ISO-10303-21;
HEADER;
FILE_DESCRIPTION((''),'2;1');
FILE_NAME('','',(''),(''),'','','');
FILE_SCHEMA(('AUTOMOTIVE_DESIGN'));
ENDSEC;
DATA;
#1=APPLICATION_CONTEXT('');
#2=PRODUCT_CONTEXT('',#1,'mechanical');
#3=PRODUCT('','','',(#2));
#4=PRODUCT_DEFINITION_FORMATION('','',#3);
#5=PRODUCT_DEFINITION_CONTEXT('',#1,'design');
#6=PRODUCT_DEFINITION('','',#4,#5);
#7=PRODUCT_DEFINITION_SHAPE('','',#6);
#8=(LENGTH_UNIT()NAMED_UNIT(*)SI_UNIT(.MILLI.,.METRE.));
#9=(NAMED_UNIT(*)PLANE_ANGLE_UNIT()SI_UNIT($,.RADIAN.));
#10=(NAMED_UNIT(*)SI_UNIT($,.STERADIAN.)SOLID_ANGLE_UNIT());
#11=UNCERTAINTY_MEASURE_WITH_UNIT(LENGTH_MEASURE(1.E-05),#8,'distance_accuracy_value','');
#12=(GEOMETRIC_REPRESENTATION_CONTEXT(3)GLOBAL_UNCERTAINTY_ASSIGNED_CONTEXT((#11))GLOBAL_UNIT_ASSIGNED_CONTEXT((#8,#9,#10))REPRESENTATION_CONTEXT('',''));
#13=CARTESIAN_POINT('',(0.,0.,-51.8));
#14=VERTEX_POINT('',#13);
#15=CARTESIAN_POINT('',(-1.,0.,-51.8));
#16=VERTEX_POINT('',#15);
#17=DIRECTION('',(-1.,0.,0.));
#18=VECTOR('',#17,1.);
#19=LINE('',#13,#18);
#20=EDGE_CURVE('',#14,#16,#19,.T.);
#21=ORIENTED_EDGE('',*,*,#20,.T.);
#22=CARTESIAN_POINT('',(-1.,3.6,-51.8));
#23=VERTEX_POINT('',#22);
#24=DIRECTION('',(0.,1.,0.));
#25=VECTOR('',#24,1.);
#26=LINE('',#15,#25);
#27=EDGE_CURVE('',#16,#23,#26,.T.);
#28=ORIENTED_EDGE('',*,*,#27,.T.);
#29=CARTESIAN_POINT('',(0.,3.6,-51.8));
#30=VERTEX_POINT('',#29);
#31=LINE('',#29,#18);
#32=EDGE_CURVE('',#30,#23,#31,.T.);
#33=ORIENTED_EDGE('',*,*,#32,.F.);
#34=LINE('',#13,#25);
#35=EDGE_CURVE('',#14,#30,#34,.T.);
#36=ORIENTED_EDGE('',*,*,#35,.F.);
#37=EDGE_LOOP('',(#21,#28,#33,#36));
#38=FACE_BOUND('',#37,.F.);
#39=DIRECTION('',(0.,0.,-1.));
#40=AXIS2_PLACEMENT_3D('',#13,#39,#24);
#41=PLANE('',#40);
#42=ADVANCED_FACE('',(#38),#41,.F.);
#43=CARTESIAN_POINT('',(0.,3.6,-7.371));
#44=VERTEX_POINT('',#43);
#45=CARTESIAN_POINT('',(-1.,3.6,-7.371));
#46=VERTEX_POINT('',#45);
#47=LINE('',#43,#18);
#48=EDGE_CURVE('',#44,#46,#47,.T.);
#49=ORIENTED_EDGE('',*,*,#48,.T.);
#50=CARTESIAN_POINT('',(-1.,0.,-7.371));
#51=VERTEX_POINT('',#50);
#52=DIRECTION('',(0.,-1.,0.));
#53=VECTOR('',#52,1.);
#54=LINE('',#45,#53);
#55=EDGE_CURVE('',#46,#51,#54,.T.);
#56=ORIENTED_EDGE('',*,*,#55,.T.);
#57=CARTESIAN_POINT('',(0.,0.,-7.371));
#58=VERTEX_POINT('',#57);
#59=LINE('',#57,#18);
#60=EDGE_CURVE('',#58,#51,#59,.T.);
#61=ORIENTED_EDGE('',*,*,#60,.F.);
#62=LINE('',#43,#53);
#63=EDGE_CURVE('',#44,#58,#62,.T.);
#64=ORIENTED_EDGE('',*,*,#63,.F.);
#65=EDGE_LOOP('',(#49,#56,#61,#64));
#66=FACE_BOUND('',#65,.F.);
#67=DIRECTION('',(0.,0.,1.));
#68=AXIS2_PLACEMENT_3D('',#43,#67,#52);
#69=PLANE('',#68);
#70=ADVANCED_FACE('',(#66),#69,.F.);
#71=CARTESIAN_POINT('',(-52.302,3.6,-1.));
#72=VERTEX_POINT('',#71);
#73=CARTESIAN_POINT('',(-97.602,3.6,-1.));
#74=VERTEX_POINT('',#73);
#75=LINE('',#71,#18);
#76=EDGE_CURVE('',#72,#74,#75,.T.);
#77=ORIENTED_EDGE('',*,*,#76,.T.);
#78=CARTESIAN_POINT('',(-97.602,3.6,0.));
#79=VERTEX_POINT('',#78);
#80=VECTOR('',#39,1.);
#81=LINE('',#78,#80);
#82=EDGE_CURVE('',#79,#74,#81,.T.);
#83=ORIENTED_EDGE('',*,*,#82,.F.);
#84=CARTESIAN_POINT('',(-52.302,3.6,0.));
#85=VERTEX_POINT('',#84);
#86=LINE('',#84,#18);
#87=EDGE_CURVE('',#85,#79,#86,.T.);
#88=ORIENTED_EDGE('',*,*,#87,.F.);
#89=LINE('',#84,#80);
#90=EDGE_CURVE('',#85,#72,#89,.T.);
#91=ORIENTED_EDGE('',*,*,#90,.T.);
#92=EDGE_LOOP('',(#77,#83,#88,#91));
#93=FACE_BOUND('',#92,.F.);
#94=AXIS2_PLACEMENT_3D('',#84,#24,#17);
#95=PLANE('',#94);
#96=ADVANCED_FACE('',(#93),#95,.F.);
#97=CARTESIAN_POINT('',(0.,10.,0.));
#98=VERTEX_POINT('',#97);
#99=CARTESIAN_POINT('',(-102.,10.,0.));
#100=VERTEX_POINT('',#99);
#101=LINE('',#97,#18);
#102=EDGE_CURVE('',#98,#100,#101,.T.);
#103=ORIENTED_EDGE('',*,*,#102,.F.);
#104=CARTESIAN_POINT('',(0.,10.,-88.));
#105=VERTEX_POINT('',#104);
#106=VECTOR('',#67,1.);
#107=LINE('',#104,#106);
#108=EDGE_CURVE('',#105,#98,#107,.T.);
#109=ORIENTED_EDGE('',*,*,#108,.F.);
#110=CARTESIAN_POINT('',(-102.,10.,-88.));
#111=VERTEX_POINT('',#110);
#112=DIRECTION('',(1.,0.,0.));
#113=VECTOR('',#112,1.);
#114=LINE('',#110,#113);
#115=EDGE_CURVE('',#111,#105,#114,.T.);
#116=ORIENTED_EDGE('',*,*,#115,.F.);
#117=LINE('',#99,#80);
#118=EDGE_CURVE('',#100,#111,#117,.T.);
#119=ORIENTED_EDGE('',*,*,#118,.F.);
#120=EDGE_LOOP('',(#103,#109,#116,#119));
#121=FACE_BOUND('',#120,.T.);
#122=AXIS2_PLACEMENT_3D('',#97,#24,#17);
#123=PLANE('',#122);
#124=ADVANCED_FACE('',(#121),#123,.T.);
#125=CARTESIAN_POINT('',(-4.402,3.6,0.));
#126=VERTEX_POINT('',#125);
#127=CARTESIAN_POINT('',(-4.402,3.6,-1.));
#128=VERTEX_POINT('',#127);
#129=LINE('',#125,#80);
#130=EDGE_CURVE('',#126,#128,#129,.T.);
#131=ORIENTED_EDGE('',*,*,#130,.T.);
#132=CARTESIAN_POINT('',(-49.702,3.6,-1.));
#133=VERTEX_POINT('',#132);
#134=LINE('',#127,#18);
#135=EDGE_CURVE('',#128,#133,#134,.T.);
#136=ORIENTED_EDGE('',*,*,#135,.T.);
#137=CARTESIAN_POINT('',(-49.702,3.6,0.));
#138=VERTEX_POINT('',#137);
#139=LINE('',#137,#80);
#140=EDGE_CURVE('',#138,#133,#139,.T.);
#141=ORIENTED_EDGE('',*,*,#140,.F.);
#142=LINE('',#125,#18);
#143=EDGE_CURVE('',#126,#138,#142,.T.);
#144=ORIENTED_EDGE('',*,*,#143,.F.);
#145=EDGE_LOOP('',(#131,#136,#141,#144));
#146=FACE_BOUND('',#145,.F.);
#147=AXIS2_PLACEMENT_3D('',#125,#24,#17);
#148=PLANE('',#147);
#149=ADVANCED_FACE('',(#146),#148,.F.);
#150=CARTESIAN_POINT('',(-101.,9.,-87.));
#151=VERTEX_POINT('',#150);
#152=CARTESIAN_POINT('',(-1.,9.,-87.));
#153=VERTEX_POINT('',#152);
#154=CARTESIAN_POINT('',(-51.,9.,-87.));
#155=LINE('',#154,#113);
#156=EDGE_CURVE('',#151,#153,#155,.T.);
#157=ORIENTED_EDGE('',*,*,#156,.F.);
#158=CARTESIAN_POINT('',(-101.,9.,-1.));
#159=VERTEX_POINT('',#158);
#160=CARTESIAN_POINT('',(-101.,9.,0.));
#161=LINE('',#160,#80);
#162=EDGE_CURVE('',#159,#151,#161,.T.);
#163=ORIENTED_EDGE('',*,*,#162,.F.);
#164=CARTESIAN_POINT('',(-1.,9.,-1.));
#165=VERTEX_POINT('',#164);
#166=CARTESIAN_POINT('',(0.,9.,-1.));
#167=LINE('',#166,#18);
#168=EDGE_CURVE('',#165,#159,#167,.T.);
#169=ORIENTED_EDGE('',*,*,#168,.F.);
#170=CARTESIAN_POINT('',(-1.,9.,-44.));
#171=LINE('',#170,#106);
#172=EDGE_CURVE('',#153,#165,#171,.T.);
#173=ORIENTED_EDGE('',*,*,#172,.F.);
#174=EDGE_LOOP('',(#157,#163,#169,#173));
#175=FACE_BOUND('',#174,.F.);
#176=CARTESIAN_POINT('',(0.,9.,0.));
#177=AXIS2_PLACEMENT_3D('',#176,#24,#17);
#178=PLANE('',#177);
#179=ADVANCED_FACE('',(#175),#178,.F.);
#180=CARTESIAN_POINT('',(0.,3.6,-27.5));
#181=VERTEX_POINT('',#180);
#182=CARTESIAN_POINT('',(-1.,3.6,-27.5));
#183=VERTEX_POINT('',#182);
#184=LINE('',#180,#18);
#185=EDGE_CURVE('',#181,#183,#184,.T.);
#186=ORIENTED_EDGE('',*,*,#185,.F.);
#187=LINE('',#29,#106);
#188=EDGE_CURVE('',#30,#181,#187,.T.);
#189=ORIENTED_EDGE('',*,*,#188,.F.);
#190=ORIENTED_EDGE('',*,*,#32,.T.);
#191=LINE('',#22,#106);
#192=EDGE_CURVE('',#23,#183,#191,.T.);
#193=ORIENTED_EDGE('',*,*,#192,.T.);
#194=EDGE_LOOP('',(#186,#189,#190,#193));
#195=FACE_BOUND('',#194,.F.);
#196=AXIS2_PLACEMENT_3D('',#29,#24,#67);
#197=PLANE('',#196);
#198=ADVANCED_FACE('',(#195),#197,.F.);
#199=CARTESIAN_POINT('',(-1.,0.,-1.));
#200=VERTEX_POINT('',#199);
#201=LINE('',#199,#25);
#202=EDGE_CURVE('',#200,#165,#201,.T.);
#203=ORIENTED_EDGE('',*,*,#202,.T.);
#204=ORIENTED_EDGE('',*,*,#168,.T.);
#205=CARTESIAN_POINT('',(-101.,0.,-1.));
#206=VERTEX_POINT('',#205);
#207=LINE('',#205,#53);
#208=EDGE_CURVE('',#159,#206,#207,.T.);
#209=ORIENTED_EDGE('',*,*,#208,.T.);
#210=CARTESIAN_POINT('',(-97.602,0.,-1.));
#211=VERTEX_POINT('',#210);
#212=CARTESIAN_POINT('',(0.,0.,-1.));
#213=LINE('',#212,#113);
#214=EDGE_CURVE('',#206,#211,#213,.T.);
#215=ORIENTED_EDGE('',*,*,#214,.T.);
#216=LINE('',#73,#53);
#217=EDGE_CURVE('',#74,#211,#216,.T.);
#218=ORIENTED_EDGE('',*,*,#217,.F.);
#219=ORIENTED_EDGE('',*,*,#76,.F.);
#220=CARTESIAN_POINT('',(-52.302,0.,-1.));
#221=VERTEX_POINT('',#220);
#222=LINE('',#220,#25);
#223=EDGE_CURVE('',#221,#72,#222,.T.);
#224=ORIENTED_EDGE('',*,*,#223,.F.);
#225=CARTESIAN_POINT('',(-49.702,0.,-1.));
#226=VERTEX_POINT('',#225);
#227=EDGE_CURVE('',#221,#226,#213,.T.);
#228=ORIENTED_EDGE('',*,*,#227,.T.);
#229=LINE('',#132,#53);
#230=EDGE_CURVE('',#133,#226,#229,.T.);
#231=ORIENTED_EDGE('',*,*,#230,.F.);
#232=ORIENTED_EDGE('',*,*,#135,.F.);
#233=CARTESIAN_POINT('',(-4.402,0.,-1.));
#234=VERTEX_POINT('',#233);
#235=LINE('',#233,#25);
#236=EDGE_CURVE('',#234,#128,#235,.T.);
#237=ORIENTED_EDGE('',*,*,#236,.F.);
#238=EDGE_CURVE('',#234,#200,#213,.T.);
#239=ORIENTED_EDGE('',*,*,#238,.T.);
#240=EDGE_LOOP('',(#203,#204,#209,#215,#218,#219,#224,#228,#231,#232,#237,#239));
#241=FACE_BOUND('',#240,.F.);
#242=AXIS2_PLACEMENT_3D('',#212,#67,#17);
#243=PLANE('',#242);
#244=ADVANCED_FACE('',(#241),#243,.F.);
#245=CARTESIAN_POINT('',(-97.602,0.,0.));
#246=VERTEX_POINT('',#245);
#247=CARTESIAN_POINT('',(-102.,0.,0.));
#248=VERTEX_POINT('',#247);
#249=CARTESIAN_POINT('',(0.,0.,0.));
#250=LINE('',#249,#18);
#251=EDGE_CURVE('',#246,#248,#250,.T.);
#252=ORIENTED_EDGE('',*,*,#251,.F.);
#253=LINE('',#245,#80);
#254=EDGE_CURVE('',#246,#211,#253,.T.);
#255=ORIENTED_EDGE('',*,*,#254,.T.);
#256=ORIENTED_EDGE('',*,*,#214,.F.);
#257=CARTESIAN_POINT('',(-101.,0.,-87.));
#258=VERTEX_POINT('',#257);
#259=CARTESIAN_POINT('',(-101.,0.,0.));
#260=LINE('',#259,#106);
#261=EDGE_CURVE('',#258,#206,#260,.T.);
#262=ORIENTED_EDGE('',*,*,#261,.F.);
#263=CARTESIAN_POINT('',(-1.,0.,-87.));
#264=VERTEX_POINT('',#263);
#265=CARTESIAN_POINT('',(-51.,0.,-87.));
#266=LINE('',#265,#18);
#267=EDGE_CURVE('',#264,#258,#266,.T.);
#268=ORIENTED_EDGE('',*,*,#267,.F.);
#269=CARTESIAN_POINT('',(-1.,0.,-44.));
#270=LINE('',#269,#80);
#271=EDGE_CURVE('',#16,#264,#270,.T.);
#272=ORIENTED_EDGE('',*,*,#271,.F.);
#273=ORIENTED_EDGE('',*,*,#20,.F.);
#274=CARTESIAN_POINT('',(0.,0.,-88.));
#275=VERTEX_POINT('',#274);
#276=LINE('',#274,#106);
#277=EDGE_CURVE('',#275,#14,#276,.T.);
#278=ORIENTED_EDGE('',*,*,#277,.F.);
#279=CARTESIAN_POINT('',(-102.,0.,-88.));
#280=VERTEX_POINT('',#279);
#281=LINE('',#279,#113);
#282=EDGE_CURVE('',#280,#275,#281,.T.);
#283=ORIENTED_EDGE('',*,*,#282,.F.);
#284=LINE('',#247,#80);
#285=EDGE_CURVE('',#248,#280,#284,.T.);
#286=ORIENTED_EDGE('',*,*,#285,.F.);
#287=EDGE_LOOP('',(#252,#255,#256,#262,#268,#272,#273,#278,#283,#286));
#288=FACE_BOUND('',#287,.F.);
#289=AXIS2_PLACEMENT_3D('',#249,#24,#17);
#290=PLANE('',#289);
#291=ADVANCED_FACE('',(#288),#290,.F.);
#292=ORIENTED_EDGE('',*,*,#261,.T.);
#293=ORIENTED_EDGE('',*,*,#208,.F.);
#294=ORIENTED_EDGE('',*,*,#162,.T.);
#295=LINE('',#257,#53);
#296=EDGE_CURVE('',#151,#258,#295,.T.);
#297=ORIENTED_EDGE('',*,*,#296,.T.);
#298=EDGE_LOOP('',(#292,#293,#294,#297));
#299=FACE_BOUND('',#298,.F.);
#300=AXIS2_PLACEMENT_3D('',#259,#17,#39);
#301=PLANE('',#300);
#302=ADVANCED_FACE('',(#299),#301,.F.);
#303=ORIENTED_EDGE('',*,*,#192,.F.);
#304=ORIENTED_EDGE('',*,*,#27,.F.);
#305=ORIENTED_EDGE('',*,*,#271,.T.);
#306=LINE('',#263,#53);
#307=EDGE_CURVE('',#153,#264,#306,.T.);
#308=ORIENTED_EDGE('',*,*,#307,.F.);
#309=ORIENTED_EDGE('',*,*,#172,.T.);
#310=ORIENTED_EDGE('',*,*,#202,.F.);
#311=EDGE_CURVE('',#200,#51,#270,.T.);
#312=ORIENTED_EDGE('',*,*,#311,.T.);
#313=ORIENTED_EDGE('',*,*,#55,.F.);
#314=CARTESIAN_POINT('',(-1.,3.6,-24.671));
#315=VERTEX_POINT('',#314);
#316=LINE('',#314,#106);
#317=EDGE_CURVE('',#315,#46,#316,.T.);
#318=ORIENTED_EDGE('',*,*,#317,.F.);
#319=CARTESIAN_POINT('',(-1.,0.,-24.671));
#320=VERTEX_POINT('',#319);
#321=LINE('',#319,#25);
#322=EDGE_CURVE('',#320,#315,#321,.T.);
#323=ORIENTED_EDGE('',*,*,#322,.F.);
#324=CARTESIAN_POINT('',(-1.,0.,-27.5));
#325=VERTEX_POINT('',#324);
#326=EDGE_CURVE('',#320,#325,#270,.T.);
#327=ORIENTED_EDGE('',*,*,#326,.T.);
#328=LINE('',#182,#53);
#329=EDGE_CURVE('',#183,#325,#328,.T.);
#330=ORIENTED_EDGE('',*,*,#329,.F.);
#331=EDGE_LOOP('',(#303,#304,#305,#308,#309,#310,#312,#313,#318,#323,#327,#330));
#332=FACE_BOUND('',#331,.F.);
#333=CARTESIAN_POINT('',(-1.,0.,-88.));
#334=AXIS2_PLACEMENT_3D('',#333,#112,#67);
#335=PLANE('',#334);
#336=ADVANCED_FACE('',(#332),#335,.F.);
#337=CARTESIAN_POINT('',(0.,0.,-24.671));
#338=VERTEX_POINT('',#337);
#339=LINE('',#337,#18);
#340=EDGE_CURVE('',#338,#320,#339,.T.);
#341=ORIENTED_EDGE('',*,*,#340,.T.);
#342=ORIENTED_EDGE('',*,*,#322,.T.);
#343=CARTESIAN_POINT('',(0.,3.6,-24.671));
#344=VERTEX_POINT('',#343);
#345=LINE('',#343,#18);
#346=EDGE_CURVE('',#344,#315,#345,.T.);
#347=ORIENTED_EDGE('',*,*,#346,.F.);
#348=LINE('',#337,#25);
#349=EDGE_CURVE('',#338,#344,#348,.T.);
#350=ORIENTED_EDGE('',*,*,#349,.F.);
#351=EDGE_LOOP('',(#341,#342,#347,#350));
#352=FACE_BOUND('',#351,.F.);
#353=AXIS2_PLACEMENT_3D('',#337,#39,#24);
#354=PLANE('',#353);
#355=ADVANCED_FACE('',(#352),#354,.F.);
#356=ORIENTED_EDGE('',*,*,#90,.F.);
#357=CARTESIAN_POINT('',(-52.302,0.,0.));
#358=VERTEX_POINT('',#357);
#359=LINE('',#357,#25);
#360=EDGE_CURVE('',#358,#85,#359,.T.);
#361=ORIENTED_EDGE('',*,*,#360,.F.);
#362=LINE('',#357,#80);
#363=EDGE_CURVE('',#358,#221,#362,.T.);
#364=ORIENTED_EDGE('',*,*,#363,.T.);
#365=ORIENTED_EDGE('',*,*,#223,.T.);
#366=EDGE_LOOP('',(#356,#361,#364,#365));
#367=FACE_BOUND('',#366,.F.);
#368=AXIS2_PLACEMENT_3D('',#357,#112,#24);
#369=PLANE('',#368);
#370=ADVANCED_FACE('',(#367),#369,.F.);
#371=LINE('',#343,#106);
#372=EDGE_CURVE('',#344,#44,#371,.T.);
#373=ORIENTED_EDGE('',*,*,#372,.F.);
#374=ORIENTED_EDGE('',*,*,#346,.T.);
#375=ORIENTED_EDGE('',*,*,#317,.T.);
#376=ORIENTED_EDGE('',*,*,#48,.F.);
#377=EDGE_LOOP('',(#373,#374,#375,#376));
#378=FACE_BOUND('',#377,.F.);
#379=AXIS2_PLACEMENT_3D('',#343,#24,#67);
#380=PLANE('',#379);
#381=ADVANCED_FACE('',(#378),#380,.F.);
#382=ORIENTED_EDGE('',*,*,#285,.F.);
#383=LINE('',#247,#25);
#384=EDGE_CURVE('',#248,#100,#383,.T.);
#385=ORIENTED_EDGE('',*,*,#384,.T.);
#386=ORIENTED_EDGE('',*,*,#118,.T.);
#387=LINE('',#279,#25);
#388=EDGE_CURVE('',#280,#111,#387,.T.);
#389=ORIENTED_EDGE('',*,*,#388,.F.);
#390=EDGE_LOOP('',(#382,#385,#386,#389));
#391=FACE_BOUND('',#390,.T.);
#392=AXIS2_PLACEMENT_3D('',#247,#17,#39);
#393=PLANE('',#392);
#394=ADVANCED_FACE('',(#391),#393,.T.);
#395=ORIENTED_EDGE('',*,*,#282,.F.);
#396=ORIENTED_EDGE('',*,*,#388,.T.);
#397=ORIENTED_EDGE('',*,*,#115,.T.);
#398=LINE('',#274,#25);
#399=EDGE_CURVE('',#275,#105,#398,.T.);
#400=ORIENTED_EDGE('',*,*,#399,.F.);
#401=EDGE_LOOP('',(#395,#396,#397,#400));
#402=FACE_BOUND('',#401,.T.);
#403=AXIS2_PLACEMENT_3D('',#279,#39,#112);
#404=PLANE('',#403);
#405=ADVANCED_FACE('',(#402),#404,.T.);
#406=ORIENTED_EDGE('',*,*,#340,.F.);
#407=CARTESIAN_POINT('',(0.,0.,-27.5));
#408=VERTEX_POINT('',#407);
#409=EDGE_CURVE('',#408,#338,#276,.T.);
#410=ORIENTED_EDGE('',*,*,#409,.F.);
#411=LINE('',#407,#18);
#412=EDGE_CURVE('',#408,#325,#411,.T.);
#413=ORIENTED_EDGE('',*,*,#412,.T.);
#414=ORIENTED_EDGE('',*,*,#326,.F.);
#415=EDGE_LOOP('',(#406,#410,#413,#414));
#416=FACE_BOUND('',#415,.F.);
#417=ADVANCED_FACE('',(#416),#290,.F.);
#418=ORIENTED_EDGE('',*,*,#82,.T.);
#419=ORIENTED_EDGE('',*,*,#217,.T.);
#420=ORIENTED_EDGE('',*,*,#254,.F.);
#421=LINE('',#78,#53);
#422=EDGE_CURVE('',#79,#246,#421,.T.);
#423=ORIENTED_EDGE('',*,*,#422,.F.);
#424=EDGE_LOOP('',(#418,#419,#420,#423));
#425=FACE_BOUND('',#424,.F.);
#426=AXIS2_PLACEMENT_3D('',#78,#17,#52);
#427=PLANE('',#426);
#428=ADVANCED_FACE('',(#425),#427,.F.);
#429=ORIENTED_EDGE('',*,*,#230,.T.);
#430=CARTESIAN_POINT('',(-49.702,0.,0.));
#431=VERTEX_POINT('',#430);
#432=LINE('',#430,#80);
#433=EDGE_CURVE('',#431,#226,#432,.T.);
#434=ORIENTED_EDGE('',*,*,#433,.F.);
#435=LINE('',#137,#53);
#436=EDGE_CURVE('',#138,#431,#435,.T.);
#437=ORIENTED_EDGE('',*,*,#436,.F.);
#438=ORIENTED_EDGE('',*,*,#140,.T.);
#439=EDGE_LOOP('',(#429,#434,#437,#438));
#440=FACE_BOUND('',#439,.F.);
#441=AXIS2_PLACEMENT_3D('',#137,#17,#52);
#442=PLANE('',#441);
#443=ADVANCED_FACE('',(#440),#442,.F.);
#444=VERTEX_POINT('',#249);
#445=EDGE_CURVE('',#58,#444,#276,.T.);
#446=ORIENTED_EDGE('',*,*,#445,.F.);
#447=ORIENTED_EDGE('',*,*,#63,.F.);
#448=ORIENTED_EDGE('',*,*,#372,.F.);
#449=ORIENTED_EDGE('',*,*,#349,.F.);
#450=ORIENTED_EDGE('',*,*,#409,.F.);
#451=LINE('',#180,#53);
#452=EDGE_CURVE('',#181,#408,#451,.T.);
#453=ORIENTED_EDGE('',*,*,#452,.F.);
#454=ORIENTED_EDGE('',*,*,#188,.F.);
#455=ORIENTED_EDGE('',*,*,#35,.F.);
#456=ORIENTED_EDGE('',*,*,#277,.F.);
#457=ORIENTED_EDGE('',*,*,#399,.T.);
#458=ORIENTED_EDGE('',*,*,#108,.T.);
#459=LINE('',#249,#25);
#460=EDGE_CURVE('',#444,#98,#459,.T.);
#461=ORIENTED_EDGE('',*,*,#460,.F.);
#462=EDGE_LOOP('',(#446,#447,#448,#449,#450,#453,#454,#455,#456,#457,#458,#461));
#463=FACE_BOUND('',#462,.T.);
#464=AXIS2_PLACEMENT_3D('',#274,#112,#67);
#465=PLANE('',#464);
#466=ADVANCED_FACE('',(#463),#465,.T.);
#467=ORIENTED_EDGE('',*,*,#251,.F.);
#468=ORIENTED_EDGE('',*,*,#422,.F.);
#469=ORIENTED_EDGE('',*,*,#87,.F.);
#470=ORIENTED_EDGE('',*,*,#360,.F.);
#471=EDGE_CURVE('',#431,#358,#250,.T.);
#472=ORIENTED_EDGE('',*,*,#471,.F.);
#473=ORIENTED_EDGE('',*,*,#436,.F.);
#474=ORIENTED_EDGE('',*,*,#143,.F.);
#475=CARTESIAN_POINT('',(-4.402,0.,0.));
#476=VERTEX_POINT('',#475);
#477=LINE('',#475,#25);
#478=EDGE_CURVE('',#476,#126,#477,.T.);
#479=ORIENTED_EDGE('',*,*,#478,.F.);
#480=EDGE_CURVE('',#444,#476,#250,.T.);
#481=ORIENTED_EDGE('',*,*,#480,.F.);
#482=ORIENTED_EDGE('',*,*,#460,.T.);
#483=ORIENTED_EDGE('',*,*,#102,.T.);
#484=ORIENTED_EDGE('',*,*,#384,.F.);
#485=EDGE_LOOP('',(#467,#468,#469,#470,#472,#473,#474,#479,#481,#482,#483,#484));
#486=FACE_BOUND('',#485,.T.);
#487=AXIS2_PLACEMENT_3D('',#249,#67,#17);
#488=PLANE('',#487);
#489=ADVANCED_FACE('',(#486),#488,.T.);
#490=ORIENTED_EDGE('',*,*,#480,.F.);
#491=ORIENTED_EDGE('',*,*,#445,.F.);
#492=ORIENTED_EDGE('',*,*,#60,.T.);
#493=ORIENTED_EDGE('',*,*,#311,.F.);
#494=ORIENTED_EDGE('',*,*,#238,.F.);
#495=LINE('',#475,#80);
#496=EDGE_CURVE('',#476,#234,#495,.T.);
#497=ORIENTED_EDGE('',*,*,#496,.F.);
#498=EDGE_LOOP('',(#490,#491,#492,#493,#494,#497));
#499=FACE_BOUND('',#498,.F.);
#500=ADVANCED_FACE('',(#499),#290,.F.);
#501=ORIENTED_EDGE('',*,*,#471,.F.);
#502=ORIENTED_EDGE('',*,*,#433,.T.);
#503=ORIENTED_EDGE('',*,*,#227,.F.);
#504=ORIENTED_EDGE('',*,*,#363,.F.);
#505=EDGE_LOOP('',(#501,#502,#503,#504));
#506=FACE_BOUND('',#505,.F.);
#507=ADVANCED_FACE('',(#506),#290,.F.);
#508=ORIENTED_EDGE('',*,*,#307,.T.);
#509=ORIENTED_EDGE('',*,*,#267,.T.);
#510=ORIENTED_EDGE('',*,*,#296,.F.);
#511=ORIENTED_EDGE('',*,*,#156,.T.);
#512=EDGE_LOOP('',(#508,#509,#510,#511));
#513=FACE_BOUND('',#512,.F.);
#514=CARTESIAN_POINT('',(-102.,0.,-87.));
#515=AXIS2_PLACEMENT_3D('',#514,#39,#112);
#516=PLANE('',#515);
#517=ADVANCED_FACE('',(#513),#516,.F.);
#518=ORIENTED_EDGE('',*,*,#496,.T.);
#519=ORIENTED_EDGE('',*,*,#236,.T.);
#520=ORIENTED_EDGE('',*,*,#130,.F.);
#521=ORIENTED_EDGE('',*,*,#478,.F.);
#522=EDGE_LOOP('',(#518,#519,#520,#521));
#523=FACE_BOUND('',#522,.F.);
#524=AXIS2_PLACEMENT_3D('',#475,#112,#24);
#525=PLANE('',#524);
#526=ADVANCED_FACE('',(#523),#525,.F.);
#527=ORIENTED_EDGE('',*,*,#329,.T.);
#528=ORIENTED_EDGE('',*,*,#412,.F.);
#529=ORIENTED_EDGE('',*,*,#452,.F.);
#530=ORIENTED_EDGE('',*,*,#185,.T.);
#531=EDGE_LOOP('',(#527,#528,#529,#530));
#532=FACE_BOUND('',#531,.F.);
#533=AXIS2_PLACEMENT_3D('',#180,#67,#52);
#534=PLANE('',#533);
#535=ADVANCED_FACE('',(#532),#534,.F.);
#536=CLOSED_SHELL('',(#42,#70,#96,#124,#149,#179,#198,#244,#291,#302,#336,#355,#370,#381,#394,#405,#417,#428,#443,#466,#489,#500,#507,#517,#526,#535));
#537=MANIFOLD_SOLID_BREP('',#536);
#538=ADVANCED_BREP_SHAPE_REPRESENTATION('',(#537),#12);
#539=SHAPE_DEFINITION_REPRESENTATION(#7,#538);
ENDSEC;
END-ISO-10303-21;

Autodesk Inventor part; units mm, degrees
ref_plane "YZ Plane" through (0, 0, 0) normal (1, 0, 0) x (0, 1, 0)
ref_plane "XZ Plane" through (0, 0, 0) normal (0, 1, 0) x (-1, 0, 0)
ref_plane "XY Plane" through (0, 0, 0) normal (0, 0, 1) x (1, 0, 0)
sketch "Sketch1" plane through (0, 0, 0) normal (0, 1, 0) x (-1, 0, 0)
  line L0 (0, 0) -> (102, 0)
  line L1 (102, 0) -> (102, -88)
  line L2 (102, -88) -> (0, -88)
  line L3 (0, -88) -> (0, 0)
  dimension "d0" = 102
  dimension "d1" = 88
extrude "Extrusion1" add sketch "Sketch1" along normal blind 10
shell "Shell1" thickness 1 removed faces 1 at (-68, 0, -29.3333)
sketch "Sketch2" plane through (-102, 0, 0) normal (0, 0, 1) x (1, 0, 0)
  line L0 (1, 0) -> (101, 0) projected
  line L1 (4.398, 0) -> (49.698, 0)
  line L2 (49.698, 0) -> (49.698, 3.6)
  line L3 (49.698, 3.6) -> (4.398, 3.6)
  line L4 (4.398, 3.6) -> (4.398, 0)
  line L5 (52.298, 0) -> (97.598, 0)
  line L6 (97.598, 0) -> (97.598, 3.6)
  line L7 (97.598, 3.6) -> (52.298, 3.6)
  line L8 (52.298, 3.6) -> (52.298, 0)
  line L9 (101, 0) -> (101, 9) projected
  point P0 (102, 0)
  point P1 (49.698, 0)
  dimension "d5" = 45.3
  dimension "d6" = 2.6
  dimension "d7" = 3.402
  dimension "d8" = 3.6
extrude "Extrusion2" cut sketch "Sketch2" against normal up to surface (1 mm away)
sketch "Sketch3" plane through (0, 0, 0) normal (1, 0, 0) x (0, 0, -1)
  line L0 (7.371, 0) -> (24.671, 0)
  line L1 (24.671, 0) -> (24.671, 3.6)
  line L2 (24.671, 3.6) -> (7.371, 3.6)
  line L3 (7.371, 3.6) -> (7.371, 0)
  line L4 (88, 0) -> (0, 0) projected
  line L5 (27.5, 0) -> (51.8, 0)
  line L6 (51.8, 0) -> (51.8, 3.6)
  line L7 (51.8, 3.6) -> (27.5, 3.6)
  line L8 (27.5, 3.6) -> (27.5, 0)
  line L9 (0, 3.6) -> (0, 0) projected
  line L10 (1, 0) -> (1, 9) projected
  dimension "d12" = 6.371
  dimension "d13" = 17.3
  dimension "d15" = 2.829
  dimension "d16" = 24.3
extrude "Extrusion3" cut sketch "Sketch3" against normal up to surface (1 mm away)
properties part number "TopCase"
